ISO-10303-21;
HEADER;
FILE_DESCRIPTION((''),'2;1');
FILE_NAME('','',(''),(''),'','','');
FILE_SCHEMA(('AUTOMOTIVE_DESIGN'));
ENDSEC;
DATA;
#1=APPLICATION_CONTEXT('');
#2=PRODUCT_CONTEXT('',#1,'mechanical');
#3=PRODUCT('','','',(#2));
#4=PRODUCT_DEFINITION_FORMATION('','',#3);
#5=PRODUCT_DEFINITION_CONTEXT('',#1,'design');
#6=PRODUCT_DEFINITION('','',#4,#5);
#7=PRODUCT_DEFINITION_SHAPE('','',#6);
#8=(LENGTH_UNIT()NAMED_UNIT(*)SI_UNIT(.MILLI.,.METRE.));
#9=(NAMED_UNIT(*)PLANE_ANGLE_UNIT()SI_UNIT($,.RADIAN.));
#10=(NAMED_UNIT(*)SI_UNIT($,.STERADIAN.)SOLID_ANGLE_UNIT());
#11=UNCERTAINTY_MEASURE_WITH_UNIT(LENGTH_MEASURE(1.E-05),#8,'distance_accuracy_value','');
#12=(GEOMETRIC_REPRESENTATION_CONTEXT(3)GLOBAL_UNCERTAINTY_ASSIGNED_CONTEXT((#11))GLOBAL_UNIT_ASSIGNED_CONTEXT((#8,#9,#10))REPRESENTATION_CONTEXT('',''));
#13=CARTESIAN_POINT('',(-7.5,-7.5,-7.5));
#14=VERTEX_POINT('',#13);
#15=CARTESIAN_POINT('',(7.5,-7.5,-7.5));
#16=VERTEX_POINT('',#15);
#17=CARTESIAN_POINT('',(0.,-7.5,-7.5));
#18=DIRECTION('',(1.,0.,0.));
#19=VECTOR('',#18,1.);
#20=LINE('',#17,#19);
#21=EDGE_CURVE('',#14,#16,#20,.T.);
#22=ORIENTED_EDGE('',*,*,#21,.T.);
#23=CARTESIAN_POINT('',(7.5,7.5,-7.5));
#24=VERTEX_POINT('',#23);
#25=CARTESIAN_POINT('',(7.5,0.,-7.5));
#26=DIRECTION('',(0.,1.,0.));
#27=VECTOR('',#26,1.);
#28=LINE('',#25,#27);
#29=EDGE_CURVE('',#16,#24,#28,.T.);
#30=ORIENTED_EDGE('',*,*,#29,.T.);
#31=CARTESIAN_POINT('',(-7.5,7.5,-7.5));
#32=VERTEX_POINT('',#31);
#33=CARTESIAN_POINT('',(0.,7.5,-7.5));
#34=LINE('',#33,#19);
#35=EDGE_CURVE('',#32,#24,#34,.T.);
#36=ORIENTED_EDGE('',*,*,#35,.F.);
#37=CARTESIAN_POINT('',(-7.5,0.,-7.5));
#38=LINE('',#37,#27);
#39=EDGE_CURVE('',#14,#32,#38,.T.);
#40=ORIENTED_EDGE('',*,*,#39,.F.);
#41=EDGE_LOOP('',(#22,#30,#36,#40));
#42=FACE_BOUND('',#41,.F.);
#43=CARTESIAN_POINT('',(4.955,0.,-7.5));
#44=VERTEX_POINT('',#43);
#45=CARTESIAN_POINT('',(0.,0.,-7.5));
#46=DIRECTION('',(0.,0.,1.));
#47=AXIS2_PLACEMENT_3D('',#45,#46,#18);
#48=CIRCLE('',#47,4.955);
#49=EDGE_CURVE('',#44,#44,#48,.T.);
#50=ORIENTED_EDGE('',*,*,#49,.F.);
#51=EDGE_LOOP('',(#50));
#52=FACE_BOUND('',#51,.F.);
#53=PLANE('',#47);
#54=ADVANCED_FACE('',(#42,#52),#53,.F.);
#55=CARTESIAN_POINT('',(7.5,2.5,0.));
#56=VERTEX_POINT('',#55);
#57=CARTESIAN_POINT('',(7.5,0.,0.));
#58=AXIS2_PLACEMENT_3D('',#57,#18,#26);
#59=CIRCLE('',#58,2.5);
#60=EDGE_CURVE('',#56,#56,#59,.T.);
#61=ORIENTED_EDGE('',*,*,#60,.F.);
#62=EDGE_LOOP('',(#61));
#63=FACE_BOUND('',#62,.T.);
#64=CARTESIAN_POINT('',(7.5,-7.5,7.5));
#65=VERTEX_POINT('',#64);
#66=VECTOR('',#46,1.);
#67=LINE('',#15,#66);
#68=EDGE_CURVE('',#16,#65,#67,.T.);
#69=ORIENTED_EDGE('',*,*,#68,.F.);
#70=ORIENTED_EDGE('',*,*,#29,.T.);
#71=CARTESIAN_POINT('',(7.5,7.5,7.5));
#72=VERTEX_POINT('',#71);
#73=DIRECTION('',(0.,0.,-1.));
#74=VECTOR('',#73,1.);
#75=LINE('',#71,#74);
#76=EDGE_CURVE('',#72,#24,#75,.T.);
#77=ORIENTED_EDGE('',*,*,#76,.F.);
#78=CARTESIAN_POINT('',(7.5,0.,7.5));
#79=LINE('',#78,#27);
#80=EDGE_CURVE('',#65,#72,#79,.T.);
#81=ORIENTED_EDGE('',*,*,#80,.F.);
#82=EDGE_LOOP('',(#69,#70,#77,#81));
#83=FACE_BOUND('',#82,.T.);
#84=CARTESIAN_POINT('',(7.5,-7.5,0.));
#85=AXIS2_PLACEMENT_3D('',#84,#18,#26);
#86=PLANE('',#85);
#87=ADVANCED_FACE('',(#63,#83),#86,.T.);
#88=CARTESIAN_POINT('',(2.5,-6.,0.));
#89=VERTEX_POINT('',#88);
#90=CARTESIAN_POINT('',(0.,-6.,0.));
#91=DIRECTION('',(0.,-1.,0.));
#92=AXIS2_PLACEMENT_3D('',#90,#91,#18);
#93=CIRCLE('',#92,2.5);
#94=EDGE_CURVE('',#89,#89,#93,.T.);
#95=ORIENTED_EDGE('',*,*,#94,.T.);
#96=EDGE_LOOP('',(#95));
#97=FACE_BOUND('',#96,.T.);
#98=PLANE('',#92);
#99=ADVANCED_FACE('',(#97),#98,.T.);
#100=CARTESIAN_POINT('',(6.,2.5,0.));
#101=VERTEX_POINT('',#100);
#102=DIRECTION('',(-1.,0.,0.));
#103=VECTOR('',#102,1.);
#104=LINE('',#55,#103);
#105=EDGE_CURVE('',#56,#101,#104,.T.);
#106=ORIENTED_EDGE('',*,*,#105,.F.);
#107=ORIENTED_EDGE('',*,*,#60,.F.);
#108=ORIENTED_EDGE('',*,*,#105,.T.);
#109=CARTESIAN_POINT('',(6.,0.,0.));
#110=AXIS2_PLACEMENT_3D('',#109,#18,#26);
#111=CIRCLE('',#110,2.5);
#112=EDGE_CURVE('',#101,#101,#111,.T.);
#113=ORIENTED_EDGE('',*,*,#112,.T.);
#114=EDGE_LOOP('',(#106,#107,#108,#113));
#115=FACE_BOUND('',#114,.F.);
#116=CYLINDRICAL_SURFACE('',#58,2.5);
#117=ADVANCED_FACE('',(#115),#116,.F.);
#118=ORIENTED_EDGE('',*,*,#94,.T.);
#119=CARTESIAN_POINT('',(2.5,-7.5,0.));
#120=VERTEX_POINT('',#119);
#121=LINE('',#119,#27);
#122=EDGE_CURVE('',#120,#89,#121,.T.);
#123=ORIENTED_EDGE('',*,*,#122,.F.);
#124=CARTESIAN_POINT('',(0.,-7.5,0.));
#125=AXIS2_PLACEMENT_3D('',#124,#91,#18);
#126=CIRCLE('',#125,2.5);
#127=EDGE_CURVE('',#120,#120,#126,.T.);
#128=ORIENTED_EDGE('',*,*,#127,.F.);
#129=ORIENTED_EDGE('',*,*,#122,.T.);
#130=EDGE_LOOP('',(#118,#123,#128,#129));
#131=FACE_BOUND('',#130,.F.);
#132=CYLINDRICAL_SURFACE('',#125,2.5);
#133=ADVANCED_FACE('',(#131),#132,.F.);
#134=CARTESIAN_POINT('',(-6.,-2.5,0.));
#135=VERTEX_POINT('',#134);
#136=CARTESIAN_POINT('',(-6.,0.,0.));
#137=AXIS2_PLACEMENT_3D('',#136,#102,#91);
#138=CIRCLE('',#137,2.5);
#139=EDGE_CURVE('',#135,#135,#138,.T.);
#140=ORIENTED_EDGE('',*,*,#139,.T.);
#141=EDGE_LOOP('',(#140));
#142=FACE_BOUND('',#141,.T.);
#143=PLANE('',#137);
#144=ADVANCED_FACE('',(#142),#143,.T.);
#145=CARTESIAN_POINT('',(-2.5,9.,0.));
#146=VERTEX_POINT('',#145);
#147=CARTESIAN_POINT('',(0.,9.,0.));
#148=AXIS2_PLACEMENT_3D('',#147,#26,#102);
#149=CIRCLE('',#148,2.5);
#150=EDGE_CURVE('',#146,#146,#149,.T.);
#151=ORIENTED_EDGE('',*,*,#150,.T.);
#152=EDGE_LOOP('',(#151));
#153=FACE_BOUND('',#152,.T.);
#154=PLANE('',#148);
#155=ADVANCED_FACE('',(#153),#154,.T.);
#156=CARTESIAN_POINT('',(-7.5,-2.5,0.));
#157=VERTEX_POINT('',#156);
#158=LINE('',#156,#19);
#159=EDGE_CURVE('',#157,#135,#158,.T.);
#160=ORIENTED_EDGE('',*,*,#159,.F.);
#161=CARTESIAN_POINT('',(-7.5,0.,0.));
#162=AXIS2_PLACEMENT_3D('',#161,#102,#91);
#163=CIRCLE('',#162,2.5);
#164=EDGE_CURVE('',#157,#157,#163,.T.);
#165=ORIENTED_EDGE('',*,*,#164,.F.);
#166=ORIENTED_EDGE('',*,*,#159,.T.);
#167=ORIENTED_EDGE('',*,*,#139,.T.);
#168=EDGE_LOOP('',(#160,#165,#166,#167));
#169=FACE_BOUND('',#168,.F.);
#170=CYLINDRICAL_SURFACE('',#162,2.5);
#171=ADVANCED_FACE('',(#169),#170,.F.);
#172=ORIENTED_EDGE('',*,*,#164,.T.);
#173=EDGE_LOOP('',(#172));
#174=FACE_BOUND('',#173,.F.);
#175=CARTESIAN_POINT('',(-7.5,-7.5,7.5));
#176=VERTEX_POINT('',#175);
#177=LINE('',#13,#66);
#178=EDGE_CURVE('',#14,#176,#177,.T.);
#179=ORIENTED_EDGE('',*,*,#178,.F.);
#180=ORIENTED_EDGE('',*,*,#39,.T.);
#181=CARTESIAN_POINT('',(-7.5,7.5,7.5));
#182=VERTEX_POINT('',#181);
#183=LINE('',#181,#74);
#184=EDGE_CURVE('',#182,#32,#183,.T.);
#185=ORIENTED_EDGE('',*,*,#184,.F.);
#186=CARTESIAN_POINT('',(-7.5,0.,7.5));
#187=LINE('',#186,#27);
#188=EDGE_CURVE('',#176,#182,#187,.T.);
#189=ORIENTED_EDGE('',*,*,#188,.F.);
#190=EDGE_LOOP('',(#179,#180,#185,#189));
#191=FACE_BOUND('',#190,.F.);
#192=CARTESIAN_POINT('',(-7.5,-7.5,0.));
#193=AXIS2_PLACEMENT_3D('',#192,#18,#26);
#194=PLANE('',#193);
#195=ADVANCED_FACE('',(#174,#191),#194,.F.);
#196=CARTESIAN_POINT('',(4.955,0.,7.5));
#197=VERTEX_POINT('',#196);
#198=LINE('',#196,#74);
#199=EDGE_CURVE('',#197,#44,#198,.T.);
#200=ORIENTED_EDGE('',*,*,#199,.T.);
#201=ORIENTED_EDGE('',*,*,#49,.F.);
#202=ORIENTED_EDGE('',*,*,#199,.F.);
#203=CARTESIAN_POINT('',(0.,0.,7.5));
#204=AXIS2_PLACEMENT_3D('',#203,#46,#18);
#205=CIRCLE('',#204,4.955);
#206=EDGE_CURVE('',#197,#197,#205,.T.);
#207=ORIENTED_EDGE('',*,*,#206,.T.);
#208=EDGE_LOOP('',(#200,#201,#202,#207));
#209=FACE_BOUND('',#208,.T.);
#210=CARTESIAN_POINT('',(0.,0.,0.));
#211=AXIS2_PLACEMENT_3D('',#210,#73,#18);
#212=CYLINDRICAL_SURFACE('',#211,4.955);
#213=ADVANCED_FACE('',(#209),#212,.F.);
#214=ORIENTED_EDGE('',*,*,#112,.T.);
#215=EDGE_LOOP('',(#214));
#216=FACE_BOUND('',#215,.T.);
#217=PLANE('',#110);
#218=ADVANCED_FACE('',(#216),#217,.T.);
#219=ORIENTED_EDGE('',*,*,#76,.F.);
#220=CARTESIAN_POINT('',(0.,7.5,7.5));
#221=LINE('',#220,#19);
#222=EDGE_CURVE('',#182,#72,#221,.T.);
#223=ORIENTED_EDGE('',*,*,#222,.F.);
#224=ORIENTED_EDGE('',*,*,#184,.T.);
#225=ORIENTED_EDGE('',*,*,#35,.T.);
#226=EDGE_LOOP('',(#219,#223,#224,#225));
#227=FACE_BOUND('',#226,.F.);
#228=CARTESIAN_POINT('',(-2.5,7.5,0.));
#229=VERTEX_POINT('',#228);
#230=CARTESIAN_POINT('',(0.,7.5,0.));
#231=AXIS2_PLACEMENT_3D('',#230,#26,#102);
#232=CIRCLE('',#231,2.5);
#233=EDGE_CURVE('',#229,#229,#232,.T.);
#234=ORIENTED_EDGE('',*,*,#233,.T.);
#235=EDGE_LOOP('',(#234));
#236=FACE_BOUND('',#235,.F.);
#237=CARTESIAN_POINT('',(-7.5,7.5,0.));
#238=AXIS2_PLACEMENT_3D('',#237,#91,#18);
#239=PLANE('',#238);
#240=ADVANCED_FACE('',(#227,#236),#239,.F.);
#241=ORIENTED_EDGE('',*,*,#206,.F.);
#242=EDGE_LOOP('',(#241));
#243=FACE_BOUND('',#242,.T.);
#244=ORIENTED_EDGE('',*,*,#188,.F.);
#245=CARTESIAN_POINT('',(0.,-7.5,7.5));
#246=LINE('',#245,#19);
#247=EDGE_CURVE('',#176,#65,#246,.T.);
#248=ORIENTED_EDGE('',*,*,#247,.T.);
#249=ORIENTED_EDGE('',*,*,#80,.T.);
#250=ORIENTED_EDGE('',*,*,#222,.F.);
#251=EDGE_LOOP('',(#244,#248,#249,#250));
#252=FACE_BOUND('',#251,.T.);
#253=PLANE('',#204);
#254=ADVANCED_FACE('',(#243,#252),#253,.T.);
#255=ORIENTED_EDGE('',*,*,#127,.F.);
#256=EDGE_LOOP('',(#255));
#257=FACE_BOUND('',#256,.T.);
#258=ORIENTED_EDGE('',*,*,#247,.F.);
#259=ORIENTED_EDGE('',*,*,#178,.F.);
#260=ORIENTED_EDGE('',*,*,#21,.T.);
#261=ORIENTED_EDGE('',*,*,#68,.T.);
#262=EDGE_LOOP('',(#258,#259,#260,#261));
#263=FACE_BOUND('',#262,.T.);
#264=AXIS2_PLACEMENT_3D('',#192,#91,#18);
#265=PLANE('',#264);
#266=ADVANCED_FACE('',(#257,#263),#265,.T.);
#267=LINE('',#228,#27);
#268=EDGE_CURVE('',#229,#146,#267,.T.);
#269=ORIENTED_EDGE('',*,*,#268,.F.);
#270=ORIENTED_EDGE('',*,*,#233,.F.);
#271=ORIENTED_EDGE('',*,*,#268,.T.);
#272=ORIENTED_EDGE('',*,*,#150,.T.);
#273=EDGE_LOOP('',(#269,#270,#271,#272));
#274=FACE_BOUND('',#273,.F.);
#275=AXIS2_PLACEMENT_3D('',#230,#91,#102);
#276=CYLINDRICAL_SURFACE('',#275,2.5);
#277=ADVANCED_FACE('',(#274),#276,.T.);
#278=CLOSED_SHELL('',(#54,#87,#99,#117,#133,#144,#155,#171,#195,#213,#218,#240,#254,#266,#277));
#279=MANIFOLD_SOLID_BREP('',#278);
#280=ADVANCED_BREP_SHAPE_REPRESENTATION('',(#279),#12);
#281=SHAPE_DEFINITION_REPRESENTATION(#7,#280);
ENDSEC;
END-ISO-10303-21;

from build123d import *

# Parameters (mm, degrees)
F0_W     = 15
F0_H     = 15
F0_R     = 4.955
F1_DEPTH = 7.5
F2_R     = 2.5
F3_DEPTH = 1.5
F4_R     = 2.5
F5_DEPTH = 1.5
F6_R     = 2.5
F7_DEPTH = 1.5
F8_R     = 2.5
F9_DEPTH = 1.5


with BuildPart() as f1:
    # F0 (on Top) → F1 (new body, symmetric)
    with BuildSketch(Plane.XY):
        Rectangle(F0_W, F0_H)
        Circle(F0_R, mode=Mode.SUBTRACT)
    extrude(amount=F1_DEPTH, both=True)

    # F2 (on face) → F3 (join)
    with BuildSketch(Plane(origin=(0, 7.5, 0), x_dir=(-1, 0, 0), z_dir=(0, 1, 0))):
        Circle(F2_R)
    extrude(amount=F3_DEPTH)

    # F4 (on face) → F5 (cut)
    with BuildSketch(Plane.XZ.offset(7.5)):
        Circle(F4_R)
    extrude(amount=-F5_DEPTH, mode=Mode.SUBTRACT)

    # F6 (on face) → F7 (cut)
    with BuildSketch(Plane.YZ.offset(7.5)):
        Circle(F6_R)
    extrude(amount=-F7_DEPTH, mode=Mode.SUBTRACT)

    # F8 (on face) → F9 (cut)
    with BuildSketch(Plane(origin=(-7.5, 0, 0), x_dir=(0, -1, 0), z_dir=(-1, 0, 0))):
        Circle(F8_R)
    extrude(amount=-F9_DEPTH, mode=Mode.SUBTRACT)


solid = f1.part
